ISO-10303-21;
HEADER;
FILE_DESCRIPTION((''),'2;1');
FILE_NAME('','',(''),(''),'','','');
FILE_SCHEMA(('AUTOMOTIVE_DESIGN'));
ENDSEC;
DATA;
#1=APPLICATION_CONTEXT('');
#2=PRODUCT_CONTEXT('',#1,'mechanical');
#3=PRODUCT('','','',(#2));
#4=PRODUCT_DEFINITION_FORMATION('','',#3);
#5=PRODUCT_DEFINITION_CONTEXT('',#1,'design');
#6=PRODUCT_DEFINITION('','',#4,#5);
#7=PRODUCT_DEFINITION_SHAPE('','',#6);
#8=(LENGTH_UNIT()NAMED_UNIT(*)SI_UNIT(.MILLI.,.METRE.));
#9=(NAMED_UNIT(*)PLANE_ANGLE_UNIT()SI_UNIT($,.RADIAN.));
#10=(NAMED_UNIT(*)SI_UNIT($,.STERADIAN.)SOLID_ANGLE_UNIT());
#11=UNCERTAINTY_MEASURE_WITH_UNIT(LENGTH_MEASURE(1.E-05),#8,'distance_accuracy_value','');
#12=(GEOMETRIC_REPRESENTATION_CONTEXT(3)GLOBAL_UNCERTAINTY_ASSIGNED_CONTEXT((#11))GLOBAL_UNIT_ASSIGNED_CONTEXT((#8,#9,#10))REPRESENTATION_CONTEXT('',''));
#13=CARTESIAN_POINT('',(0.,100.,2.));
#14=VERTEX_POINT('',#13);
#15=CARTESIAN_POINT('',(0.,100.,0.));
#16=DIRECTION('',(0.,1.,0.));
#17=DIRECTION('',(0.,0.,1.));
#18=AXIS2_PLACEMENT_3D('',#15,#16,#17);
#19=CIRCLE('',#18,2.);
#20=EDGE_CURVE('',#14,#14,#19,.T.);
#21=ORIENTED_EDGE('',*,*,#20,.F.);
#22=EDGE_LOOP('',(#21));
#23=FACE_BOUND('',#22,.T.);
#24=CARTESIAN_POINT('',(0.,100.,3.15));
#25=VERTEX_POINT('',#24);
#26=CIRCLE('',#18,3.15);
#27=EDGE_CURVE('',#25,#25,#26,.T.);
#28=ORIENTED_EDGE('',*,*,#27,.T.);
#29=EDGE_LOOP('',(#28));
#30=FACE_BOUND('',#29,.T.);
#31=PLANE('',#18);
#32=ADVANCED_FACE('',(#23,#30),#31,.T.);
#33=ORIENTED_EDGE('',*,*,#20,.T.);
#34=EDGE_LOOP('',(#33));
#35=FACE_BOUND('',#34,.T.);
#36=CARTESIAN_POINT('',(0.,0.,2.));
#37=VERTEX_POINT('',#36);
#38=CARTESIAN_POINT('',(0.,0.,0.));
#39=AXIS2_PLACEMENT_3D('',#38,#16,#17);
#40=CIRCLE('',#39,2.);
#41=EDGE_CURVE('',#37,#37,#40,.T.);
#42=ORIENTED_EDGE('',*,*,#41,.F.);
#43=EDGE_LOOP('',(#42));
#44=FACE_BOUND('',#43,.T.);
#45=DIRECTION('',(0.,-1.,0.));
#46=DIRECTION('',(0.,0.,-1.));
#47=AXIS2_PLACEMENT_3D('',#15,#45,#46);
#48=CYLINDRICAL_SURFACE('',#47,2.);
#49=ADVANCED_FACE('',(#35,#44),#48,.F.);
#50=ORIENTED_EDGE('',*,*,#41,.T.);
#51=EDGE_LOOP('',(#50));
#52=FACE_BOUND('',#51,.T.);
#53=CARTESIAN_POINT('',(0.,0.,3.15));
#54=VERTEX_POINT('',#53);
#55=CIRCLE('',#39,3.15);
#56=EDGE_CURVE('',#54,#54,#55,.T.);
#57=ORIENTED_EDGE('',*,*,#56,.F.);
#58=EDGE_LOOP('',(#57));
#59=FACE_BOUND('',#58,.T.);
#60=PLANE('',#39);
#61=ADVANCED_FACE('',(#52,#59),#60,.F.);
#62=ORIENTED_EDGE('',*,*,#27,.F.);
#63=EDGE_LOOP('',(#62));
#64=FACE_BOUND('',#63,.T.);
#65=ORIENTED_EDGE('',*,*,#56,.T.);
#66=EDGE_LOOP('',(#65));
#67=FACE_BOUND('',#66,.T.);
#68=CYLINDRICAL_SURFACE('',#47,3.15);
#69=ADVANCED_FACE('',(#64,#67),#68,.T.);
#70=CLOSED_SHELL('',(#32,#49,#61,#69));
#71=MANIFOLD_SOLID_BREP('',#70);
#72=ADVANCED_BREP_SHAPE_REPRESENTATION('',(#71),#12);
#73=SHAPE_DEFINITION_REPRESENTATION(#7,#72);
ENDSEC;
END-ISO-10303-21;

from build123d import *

# Parameters (mm, degrees)
SKETCH_1_R      = 3.15
SKETCH_1_R_2    = 2
EXTRUDE_1_DEPTH = 100


with BuildPart() as part:
    # 草图1 → 凸台-拉伸1 (new body)
    with BuildSketch(Plane(origin=(0, 0, 0), x_dir=(1, 0, 0), z_dir=(0, 1, 0))):
        Circle(SKETCH_1_R)
        Circle(SKETCH_1_R_2, mode=Mode.SUBTRACT)
    extrude(amount=EXTRUDE_1_DEPTH)


solid = part.part
